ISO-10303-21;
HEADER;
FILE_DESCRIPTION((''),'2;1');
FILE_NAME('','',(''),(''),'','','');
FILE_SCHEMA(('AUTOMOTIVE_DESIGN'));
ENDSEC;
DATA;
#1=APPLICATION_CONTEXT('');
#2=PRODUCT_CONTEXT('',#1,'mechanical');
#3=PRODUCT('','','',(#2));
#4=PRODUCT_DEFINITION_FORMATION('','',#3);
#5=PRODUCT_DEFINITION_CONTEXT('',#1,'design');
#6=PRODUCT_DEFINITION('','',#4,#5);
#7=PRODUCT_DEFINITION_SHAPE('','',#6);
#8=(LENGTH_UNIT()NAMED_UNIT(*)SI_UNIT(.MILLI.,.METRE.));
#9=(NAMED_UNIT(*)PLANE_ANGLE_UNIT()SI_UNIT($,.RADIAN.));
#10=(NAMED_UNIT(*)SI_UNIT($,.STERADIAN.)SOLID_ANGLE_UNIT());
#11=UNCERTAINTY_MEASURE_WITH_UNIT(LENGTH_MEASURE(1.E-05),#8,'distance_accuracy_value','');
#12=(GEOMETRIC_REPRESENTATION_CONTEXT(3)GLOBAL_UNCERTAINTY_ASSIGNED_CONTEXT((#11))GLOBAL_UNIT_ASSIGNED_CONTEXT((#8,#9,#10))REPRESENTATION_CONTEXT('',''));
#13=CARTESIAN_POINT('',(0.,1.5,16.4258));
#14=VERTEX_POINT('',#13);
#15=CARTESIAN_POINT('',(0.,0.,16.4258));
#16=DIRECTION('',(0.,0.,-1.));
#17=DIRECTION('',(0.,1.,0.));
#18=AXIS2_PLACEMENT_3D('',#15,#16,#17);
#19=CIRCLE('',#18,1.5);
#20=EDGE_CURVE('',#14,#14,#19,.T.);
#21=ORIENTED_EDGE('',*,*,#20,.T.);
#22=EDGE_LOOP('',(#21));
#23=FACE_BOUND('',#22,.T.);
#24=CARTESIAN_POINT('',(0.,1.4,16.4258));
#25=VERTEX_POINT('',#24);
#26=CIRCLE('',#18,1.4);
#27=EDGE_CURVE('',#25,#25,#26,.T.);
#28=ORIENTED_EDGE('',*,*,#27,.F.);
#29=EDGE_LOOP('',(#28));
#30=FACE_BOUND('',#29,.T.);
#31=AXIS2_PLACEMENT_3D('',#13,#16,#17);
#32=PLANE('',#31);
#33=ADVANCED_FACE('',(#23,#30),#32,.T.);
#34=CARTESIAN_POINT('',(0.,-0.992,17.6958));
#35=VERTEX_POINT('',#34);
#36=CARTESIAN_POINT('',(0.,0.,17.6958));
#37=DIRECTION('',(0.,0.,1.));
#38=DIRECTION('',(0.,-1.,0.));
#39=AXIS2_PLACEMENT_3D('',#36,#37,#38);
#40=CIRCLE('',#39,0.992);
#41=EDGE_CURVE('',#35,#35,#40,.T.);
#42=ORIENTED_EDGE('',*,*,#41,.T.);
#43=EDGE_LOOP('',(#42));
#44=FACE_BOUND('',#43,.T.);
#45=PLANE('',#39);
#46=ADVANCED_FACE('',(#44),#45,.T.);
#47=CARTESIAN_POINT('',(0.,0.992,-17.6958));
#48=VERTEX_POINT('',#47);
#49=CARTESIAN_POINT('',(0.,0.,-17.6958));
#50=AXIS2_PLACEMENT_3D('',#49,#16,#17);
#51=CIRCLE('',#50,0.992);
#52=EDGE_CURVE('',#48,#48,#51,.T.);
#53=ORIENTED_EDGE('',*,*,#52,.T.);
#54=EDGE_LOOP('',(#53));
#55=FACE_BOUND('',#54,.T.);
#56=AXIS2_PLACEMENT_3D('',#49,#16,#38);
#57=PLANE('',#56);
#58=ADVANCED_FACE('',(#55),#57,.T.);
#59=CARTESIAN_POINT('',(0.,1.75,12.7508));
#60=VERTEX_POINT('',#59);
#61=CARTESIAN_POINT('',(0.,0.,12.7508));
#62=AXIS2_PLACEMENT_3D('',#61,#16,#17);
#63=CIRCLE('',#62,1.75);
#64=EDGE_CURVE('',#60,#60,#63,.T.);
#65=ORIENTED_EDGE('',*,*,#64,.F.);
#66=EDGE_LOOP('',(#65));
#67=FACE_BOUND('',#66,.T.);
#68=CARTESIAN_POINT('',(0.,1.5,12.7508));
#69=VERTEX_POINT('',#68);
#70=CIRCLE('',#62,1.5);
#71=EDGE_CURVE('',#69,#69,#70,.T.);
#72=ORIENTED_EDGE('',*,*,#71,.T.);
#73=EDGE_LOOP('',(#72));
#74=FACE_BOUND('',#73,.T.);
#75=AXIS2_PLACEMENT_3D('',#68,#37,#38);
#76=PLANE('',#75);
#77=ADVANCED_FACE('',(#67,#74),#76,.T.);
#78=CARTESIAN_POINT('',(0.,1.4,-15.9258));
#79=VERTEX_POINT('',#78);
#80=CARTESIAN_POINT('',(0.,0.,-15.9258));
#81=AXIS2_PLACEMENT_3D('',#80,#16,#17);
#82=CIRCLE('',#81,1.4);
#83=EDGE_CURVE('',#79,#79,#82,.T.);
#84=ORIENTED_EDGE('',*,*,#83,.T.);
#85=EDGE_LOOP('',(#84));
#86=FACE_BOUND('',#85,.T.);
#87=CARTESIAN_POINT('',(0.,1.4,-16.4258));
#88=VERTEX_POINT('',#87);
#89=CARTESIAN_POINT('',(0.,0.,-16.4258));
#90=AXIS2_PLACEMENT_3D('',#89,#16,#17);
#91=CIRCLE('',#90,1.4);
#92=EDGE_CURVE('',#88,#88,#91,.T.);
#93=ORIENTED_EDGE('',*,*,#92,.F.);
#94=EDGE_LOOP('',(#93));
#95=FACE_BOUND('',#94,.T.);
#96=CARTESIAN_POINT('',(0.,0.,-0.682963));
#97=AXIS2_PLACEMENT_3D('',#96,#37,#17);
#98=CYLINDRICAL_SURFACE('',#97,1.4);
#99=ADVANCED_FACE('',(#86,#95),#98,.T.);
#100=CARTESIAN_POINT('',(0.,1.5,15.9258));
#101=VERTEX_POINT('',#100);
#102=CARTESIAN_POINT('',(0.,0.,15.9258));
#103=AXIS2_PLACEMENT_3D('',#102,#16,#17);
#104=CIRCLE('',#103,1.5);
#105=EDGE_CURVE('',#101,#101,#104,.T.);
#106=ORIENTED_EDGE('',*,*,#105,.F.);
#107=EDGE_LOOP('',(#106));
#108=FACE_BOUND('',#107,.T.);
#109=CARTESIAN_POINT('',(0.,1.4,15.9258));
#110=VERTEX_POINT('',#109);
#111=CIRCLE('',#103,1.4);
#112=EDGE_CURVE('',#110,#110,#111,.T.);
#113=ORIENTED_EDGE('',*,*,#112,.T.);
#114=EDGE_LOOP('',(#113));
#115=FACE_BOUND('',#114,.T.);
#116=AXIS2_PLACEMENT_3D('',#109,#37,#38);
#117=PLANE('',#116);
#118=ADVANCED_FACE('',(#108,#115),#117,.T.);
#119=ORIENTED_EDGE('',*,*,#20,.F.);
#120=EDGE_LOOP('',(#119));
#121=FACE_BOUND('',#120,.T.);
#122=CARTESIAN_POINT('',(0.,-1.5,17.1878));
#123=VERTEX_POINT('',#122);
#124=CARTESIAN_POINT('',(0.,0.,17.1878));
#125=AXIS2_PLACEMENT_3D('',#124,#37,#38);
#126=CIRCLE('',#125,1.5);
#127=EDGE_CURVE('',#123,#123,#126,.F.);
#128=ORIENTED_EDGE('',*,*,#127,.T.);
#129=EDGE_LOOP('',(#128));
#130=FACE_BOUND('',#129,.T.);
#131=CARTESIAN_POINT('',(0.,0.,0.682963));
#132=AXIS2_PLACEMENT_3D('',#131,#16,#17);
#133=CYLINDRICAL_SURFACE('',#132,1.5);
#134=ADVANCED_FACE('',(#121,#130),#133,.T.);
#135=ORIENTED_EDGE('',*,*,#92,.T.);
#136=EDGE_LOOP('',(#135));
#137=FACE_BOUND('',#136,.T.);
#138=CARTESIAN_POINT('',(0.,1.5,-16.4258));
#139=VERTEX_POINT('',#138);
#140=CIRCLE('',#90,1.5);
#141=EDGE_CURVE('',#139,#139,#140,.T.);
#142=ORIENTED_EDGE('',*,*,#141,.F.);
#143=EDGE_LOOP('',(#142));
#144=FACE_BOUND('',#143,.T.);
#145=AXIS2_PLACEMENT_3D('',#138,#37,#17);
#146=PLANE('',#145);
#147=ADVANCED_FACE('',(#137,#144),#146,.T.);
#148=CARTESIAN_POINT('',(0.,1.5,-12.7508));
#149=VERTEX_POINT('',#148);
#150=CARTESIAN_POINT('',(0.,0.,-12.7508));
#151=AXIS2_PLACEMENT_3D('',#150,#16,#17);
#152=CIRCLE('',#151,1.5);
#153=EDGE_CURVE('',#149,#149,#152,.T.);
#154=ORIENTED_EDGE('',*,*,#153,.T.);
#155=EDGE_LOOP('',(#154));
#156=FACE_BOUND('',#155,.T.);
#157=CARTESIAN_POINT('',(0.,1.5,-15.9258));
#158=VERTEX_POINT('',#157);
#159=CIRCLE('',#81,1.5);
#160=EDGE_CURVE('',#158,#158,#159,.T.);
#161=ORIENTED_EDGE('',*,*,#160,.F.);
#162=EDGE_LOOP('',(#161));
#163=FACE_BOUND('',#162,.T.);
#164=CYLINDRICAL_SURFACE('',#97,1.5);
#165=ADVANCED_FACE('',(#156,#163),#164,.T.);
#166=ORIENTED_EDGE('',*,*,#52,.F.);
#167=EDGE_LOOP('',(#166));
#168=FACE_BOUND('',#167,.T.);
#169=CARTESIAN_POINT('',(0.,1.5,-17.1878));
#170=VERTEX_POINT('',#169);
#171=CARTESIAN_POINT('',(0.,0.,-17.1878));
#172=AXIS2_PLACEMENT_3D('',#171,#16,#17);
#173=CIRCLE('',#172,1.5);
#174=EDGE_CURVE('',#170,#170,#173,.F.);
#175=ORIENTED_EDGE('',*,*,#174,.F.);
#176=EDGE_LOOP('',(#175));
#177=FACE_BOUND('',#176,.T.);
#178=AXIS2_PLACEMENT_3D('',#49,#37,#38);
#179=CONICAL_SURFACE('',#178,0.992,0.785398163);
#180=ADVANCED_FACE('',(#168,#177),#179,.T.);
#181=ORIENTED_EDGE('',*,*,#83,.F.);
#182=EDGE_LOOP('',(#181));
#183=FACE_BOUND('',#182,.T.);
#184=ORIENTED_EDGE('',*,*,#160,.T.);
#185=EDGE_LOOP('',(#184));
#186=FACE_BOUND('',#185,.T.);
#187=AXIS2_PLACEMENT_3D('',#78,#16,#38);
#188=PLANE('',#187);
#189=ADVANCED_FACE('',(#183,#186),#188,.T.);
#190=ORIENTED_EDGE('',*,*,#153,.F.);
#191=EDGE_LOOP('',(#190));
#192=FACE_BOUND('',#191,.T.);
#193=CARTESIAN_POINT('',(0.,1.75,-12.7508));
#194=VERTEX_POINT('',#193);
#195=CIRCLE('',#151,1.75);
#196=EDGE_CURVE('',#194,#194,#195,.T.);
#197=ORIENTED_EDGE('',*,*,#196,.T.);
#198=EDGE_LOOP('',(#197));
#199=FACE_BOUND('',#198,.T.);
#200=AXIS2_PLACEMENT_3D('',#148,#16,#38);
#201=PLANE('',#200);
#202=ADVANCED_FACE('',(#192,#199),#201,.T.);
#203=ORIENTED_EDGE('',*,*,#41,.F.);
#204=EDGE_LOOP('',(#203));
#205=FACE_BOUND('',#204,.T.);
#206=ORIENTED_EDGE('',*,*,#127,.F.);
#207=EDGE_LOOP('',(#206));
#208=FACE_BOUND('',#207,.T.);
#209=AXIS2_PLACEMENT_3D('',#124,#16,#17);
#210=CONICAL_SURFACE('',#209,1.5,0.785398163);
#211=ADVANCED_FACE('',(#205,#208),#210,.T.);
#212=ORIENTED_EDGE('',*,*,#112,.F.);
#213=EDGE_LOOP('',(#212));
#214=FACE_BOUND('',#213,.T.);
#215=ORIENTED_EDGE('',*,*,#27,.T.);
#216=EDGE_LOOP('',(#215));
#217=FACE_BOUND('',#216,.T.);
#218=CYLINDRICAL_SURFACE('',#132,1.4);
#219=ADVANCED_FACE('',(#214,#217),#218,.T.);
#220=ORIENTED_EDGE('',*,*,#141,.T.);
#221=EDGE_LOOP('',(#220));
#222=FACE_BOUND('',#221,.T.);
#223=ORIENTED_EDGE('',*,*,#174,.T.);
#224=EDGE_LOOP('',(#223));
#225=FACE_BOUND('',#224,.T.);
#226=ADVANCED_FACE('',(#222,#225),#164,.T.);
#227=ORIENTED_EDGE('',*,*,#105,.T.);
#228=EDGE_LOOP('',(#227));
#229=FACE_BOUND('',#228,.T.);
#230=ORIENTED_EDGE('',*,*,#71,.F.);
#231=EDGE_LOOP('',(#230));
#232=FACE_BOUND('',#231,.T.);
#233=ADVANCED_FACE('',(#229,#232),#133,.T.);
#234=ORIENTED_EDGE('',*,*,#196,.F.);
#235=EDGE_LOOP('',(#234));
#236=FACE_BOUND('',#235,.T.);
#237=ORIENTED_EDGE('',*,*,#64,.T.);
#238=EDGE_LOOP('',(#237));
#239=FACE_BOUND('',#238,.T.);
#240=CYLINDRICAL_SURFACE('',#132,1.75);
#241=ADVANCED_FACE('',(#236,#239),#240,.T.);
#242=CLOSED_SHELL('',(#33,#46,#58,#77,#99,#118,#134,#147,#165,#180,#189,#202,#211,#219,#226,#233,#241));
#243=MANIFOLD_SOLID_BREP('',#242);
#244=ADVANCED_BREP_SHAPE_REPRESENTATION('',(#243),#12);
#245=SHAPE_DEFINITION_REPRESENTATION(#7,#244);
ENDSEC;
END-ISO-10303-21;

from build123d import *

# Parameters (mm, degrees)
CHAMFER1_SIZE = 0.508


with BuildPart() as part:
    # Sketch1 → Revolve2 (revolve)
    with BuildSketch(Plane(origin=(0, 0, 0), x_dir=(0, 0, -1), z_dir=(1, 0, 0))):
        Polygon((-17.6958, 0), (-17.6958, 1.5), (-16.4258, 1.5), (-16.4258, 1.4), (-15.9258, 1.4), (-15.9258, 1.5), (-12.7508, 1.5), (-12.7508, 1.75), (0, 1.75), (0, 0), align=None)
    revolve2 = revolve(axis=Axis((0, 0, 0.682962963), (0, 0, 1)))

    # Mirror1: Revolve2 across plane
    add(revolve2.mirror(Plane.XY))

    # Chamfer1
    chamfer1_edges = [part.edges().sort_by_distance(p)[0] for p in [
        (0, -1.5, -17.6958),
        (0, -1.5, 17.6958),
    ]]
    chamfer(chamfer1_edges, length=CHAMFER1_SIZE)


solid = part.part
